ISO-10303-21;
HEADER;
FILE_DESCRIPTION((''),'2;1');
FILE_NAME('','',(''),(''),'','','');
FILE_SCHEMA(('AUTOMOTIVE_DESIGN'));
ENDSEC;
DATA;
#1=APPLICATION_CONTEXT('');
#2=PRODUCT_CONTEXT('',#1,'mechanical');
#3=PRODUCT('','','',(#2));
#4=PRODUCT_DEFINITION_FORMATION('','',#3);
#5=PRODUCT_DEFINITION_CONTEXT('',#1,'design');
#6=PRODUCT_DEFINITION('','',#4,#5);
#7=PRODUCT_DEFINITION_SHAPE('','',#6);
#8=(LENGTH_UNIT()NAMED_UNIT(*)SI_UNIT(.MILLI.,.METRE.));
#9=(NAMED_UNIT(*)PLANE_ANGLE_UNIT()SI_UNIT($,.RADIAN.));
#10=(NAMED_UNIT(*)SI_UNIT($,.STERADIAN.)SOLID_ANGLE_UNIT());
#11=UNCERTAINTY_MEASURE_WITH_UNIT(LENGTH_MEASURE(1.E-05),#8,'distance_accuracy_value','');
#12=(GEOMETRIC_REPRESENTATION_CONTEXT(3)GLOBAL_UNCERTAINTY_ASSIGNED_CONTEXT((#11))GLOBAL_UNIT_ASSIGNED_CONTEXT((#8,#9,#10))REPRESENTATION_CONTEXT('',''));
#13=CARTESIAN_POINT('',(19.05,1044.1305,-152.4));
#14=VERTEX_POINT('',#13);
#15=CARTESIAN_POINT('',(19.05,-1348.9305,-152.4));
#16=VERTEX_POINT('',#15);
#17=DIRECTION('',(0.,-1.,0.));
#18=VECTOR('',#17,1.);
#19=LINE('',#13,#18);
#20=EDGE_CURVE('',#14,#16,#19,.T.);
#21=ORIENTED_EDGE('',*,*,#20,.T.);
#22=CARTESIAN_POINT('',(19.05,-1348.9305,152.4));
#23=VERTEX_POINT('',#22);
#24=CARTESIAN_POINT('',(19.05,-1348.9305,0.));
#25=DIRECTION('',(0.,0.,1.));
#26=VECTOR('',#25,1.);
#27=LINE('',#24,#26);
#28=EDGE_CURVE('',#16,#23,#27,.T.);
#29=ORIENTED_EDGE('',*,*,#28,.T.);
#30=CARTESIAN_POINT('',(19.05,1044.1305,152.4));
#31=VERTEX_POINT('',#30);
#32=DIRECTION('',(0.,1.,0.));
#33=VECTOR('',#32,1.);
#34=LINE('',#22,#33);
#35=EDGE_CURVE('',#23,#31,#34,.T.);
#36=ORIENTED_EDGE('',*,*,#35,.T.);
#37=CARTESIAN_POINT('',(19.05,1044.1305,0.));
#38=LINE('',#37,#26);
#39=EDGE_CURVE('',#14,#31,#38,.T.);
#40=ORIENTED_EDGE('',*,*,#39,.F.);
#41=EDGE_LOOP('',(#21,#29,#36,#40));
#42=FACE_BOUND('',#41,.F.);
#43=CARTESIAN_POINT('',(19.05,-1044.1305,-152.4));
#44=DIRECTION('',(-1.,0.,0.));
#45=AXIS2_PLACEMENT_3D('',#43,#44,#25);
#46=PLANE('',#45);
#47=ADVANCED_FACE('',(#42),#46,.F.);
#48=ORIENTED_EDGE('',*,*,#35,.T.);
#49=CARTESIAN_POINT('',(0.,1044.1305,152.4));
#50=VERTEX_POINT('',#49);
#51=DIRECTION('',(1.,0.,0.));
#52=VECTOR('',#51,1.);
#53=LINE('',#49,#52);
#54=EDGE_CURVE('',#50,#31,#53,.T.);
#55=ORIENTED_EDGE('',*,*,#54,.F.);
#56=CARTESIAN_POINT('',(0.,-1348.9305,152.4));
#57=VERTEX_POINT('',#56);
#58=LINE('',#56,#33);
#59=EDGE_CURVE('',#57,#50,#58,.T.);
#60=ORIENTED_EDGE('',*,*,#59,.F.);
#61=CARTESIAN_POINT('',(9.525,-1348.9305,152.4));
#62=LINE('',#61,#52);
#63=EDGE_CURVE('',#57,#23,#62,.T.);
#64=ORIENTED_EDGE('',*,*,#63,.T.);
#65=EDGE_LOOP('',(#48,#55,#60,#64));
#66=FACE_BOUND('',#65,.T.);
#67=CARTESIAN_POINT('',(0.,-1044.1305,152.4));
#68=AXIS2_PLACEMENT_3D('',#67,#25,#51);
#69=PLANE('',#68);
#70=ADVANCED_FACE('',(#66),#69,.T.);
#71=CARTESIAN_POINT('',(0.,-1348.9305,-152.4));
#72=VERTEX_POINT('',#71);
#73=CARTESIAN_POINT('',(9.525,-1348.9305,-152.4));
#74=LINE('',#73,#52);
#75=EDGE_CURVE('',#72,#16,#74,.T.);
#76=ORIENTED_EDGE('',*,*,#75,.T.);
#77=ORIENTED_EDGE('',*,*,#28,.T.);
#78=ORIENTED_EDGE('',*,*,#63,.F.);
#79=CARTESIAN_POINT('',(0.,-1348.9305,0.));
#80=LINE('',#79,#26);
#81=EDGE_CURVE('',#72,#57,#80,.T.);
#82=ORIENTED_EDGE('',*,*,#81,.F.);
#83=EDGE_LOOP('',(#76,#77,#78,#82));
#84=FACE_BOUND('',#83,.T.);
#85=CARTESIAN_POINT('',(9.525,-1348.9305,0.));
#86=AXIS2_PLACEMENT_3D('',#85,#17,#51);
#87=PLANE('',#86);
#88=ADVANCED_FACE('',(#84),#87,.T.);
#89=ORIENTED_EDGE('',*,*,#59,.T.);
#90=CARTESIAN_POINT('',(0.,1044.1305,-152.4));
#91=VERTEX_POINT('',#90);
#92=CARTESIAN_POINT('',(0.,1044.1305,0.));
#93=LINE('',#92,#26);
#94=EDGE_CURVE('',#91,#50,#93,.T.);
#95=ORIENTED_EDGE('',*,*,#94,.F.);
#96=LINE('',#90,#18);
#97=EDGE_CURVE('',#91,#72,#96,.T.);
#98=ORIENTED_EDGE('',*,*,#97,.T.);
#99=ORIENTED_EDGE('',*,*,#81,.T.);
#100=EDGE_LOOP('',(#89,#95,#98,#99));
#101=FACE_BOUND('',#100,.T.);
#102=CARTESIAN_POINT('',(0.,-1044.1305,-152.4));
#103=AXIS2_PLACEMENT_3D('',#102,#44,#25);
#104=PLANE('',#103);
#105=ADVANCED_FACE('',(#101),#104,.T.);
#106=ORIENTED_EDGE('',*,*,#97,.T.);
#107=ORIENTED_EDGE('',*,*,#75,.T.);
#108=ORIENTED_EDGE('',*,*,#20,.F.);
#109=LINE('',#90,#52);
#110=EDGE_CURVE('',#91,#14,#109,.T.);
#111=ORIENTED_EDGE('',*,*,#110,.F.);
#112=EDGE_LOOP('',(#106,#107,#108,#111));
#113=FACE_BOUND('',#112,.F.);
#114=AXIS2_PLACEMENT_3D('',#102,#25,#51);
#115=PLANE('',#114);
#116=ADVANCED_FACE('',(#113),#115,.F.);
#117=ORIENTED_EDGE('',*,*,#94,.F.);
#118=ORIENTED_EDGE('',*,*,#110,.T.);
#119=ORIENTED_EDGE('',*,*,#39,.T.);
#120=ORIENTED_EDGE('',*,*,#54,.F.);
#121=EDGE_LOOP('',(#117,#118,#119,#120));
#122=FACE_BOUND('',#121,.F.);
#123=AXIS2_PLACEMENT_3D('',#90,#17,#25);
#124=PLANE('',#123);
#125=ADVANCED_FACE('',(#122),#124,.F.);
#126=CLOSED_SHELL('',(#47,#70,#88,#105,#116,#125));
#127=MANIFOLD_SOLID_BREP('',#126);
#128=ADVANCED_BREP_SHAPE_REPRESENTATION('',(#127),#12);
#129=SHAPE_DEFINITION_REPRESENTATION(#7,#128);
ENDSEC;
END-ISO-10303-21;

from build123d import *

# Parameters (mm, degrees)
F0_W      = 2088.261
F0_H      = 304.8
F1_DEPTH  = 19.05
F1_FACE_W = 19.05
F1_FACE_H = 304.8
F2_DEPTH  = 304.8


with BuildPart() as f1:
    # F0 (on Right) → F1 (new body)
    with BuildSketch(Plane.YZ):
        Rectangle(F0_W, F0_H)
    extrude(amount=F1_DEPTH)

    # F1_face (on face) → F2 (join)
    with BuildSketch(Plane(origin=(9.525, -1044.1305, 0), x_dir=(1, 0, 0), z_dir=(0, -1, 0))):
        Rectangle(F1_FACE_W, F1_FACE_H)
    extrude(amount=F2_DEPTH)


solid = f1.part
